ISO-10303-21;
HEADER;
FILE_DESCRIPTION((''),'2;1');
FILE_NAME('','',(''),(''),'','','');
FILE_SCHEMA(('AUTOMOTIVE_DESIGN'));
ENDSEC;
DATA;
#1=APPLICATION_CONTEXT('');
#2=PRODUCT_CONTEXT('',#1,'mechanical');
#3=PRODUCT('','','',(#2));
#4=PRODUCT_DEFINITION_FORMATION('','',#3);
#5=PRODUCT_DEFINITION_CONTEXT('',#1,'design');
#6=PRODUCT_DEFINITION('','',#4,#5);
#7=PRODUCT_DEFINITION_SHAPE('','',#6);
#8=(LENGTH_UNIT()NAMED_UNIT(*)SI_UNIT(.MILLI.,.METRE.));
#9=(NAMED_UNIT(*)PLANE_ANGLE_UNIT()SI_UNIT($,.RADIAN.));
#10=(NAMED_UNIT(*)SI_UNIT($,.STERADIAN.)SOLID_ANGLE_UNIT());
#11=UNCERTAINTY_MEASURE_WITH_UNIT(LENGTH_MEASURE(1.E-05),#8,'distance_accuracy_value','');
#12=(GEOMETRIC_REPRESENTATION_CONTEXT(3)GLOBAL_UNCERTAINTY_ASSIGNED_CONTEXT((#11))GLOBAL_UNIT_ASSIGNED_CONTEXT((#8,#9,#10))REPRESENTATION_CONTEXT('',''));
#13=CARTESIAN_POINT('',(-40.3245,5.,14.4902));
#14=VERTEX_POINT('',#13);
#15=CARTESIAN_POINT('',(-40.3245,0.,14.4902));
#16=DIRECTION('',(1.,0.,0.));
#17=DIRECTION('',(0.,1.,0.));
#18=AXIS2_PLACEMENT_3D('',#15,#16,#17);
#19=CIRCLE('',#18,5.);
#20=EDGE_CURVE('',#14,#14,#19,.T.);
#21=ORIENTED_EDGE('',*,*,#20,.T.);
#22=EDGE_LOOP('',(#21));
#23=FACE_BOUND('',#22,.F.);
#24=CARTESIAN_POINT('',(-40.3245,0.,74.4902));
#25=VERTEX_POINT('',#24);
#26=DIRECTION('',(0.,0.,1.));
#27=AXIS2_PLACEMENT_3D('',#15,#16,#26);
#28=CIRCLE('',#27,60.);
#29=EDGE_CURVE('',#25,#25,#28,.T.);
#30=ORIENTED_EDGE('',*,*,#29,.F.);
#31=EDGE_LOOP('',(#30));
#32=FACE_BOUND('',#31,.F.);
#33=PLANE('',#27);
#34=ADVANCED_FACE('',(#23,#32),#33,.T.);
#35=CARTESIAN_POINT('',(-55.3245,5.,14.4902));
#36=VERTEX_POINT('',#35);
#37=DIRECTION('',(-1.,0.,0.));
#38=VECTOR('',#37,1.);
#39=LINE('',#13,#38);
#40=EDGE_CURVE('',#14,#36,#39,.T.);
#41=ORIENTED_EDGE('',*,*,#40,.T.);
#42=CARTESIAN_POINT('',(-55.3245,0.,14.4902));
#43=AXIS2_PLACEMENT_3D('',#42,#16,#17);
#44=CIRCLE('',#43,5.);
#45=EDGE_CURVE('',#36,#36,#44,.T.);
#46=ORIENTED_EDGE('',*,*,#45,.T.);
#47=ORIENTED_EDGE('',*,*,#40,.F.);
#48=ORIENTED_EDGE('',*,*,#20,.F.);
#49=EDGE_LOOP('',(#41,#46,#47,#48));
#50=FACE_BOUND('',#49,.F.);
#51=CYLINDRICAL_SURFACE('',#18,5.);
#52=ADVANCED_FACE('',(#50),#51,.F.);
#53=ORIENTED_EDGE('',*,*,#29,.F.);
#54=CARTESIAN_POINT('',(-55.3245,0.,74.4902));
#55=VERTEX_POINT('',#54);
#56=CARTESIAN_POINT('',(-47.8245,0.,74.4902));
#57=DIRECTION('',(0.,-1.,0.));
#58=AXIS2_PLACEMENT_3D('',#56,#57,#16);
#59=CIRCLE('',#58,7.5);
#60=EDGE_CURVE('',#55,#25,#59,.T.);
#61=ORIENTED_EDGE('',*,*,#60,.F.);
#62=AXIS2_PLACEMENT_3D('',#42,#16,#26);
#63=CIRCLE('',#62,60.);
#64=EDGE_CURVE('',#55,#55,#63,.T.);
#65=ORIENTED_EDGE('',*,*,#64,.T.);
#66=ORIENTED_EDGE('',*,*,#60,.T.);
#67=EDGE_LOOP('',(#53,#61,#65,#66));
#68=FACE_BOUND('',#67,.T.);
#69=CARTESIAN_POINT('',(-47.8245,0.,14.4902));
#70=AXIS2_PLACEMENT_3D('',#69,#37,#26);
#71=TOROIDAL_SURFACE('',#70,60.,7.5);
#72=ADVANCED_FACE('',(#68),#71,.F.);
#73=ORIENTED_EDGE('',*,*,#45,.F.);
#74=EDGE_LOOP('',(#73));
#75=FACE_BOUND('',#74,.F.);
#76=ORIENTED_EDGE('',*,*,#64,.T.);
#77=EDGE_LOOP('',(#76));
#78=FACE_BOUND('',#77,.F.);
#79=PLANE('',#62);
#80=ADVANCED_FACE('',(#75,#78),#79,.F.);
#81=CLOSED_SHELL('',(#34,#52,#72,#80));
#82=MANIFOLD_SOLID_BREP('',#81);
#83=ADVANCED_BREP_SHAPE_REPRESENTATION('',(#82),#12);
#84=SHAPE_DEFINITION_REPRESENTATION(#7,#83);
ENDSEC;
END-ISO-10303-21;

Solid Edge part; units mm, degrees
sketch "Sketch1" plane through (0, 0, 0) normal (0, -1, 0) x (1, 0, 0)
  line L0 (-40.3245, 14.4902) -> (-40.3245, 74.4902)
  arc A0 (-55.3245, 74.4902) -> (-40.3245, 74.4902) centre (-47.8245, 74.4902) ccw
  line L1 (-55.3245, 74.4902) -> (-55.3245, 14.4902)
  dimension "D1" = 60
  dimension "D2" = 15
  dimension "D3" = 7.5
revolve "RevolvedProtrusion1" add sketch "Sketch1" angle 360 about axis through (-55.3245, 0, 14.4902) along (1, 0, 0)
sketch "Sketch2" plane through (-40.3245, 0, 14.4902) normal (1, 0, 0) x (0, 1, 0)
  circle A0 centre (0, 0) radius 5
extrude "Cutout1" cut sketch "Sketch2" against normal through all
properties material "Aluminum, 6061-T6"
